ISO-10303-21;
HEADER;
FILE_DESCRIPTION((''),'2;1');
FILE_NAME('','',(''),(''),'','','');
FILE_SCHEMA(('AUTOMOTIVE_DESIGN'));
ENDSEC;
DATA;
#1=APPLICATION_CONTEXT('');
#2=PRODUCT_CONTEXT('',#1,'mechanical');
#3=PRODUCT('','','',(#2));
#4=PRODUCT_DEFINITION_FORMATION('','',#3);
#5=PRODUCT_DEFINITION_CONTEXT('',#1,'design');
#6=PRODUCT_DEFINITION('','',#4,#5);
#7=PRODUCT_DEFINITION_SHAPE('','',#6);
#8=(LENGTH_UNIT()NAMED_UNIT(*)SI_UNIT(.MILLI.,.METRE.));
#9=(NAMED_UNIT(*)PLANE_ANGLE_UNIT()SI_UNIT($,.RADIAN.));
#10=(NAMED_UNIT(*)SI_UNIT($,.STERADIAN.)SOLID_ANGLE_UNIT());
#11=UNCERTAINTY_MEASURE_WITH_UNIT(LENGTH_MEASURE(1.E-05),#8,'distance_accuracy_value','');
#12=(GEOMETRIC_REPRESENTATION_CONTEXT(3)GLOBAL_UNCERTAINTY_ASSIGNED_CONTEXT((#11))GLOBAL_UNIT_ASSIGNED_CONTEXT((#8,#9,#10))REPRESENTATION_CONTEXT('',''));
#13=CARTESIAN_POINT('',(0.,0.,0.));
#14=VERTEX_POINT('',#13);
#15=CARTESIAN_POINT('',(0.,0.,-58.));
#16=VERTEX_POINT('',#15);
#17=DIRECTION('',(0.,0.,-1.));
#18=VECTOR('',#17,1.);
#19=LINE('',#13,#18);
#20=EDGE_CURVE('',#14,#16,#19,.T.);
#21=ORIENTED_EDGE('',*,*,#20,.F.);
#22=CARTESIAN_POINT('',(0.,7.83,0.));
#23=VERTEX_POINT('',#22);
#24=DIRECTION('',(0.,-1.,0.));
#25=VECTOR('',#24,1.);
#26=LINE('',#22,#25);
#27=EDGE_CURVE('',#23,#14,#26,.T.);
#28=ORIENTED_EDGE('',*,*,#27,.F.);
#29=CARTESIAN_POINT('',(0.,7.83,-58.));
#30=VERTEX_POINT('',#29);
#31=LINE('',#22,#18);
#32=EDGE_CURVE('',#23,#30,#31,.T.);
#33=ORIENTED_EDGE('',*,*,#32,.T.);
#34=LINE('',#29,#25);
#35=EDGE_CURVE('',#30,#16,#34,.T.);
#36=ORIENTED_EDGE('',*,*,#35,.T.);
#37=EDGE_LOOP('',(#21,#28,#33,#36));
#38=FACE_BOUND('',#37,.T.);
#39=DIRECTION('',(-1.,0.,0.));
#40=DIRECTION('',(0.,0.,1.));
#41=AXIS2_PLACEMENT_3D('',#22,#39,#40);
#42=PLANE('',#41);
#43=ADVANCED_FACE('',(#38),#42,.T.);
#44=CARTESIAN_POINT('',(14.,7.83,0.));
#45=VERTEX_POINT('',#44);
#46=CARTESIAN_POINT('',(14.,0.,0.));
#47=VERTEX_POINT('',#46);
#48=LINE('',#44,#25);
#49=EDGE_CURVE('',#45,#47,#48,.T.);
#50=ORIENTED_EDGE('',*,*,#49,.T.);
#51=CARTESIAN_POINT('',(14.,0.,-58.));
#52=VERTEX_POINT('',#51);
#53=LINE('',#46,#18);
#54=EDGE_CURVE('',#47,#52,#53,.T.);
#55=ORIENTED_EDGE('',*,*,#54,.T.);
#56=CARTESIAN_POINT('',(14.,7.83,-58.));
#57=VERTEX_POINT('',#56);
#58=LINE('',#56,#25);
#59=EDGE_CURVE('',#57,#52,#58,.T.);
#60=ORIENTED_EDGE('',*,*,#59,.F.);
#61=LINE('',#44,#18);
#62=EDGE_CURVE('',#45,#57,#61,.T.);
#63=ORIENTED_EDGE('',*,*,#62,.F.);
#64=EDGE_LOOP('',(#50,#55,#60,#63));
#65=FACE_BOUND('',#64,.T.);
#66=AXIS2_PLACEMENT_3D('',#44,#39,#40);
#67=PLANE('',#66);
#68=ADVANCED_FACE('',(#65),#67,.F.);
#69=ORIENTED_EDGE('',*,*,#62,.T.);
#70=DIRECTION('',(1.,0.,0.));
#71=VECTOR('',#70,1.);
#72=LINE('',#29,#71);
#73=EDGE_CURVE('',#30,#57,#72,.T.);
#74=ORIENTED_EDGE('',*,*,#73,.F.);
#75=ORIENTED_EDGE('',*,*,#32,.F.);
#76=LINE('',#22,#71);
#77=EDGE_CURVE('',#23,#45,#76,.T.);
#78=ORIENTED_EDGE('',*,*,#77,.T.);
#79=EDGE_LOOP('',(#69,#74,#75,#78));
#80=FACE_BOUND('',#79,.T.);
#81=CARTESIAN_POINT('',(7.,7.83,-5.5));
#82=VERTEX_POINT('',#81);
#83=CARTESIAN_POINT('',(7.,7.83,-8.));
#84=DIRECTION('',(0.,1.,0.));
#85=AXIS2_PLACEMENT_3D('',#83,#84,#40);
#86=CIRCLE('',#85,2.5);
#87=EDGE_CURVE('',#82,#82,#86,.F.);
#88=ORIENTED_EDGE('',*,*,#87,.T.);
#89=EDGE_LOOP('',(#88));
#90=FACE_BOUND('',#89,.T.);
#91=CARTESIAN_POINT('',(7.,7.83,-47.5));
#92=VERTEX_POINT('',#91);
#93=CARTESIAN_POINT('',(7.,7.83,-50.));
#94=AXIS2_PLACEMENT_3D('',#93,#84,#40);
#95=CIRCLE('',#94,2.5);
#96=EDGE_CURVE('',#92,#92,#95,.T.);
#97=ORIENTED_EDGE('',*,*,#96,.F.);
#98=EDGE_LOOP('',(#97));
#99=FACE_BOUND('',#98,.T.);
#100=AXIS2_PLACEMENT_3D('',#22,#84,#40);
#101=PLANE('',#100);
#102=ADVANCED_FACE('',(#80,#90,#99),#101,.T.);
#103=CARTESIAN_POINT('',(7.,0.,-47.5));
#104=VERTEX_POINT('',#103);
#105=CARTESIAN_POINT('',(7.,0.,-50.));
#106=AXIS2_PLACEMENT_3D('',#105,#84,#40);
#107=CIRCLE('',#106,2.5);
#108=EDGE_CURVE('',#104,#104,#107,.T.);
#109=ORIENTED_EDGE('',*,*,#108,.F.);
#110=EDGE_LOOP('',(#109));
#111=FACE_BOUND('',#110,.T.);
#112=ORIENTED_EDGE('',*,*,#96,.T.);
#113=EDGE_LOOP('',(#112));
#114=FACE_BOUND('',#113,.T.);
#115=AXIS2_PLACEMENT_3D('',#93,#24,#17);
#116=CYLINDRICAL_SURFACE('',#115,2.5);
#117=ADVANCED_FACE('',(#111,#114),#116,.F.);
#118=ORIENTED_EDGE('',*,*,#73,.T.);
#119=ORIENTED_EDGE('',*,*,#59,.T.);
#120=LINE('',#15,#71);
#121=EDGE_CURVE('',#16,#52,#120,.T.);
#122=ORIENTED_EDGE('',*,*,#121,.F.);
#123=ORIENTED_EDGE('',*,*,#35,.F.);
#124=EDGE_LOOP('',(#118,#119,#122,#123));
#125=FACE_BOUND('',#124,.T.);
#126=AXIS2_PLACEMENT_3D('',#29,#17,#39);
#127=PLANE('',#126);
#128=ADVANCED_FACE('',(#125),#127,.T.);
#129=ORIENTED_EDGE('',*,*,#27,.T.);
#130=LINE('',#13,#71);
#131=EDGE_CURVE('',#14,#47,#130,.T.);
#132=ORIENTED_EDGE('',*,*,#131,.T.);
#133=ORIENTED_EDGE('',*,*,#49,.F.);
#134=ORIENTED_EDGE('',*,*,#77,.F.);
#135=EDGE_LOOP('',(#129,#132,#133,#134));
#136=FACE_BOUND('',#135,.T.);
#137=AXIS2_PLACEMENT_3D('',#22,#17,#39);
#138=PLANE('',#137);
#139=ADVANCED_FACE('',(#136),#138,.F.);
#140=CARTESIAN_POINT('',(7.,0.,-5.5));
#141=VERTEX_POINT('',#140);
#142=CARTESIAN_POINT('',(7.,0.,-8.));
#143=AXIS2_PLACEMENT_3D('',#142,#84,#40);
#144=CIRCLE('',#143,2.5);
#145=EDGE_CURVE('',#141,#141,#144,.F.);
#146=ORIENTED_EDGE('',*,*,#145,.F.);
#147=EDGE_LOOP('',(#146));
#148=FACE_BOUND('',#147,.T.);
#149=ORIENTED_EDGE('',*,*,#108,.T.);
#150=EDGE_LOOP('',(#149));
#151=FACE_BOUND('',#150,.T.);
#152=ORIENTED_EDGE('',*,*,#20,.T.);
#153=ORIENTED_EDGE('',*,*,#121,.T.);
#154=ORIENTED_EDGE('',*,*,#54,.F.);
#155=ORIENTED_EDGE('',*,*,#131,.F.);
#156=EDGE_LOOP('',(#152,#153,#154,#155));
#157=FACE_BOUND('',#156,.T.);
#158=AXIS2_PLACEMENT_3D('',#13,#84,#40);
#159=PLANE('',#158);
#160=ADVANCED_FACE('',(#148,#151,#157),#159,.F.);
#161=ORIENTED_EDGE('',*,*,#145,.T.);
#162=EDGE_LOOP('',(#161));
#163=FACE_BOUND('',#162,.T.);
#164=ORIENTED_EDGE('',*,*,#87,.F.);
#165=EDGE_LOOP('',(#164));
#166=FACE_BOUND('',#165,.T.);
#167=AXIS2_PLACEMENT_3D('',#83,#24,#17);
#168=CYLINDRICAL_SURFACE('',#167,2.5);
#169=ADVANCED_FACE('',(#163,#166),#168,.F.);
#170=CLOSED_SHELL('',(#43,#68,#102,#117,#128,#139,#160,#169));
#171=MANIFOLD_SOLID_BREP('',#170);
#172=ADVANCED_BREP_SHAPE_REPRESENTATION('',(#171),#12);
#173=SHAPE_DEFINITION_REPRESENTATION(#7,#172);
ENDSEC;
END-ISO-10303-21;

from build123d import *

# Parameters (mm, degrees)
SKETCH1_W           = 14
SKETCH1_H           = 58
SKETCH1_R           = 2.5
BOSS_EXTRUDE1_DEPTH = 7.83


with BuildPart() as part:
    # Sketch1 → Boss-Extrude1 (new body)
    with BuildSketch(Plane(origin=(0, 0, 0), x_dir=(1, 0, 0), z_dir=(0, 1, 0))):
        with Locations((7, 29)):
            Rectangle(SKETCH1_W, SKETCH1_H)
        with Locations(Location((7, 50, 0), (0, 0, 270))):
            Circle(SKETCH1_R, mode=Mode.SUBTRACT)
        with Locations(Location((7, 8, 0), (0, 0, 270))):
            Circle(SKETCH1_R, mode=Mode.SUBTRACT)
    extrude(amount=BOSS_EXTRUDE1_DEPTH)


solid = part.part
